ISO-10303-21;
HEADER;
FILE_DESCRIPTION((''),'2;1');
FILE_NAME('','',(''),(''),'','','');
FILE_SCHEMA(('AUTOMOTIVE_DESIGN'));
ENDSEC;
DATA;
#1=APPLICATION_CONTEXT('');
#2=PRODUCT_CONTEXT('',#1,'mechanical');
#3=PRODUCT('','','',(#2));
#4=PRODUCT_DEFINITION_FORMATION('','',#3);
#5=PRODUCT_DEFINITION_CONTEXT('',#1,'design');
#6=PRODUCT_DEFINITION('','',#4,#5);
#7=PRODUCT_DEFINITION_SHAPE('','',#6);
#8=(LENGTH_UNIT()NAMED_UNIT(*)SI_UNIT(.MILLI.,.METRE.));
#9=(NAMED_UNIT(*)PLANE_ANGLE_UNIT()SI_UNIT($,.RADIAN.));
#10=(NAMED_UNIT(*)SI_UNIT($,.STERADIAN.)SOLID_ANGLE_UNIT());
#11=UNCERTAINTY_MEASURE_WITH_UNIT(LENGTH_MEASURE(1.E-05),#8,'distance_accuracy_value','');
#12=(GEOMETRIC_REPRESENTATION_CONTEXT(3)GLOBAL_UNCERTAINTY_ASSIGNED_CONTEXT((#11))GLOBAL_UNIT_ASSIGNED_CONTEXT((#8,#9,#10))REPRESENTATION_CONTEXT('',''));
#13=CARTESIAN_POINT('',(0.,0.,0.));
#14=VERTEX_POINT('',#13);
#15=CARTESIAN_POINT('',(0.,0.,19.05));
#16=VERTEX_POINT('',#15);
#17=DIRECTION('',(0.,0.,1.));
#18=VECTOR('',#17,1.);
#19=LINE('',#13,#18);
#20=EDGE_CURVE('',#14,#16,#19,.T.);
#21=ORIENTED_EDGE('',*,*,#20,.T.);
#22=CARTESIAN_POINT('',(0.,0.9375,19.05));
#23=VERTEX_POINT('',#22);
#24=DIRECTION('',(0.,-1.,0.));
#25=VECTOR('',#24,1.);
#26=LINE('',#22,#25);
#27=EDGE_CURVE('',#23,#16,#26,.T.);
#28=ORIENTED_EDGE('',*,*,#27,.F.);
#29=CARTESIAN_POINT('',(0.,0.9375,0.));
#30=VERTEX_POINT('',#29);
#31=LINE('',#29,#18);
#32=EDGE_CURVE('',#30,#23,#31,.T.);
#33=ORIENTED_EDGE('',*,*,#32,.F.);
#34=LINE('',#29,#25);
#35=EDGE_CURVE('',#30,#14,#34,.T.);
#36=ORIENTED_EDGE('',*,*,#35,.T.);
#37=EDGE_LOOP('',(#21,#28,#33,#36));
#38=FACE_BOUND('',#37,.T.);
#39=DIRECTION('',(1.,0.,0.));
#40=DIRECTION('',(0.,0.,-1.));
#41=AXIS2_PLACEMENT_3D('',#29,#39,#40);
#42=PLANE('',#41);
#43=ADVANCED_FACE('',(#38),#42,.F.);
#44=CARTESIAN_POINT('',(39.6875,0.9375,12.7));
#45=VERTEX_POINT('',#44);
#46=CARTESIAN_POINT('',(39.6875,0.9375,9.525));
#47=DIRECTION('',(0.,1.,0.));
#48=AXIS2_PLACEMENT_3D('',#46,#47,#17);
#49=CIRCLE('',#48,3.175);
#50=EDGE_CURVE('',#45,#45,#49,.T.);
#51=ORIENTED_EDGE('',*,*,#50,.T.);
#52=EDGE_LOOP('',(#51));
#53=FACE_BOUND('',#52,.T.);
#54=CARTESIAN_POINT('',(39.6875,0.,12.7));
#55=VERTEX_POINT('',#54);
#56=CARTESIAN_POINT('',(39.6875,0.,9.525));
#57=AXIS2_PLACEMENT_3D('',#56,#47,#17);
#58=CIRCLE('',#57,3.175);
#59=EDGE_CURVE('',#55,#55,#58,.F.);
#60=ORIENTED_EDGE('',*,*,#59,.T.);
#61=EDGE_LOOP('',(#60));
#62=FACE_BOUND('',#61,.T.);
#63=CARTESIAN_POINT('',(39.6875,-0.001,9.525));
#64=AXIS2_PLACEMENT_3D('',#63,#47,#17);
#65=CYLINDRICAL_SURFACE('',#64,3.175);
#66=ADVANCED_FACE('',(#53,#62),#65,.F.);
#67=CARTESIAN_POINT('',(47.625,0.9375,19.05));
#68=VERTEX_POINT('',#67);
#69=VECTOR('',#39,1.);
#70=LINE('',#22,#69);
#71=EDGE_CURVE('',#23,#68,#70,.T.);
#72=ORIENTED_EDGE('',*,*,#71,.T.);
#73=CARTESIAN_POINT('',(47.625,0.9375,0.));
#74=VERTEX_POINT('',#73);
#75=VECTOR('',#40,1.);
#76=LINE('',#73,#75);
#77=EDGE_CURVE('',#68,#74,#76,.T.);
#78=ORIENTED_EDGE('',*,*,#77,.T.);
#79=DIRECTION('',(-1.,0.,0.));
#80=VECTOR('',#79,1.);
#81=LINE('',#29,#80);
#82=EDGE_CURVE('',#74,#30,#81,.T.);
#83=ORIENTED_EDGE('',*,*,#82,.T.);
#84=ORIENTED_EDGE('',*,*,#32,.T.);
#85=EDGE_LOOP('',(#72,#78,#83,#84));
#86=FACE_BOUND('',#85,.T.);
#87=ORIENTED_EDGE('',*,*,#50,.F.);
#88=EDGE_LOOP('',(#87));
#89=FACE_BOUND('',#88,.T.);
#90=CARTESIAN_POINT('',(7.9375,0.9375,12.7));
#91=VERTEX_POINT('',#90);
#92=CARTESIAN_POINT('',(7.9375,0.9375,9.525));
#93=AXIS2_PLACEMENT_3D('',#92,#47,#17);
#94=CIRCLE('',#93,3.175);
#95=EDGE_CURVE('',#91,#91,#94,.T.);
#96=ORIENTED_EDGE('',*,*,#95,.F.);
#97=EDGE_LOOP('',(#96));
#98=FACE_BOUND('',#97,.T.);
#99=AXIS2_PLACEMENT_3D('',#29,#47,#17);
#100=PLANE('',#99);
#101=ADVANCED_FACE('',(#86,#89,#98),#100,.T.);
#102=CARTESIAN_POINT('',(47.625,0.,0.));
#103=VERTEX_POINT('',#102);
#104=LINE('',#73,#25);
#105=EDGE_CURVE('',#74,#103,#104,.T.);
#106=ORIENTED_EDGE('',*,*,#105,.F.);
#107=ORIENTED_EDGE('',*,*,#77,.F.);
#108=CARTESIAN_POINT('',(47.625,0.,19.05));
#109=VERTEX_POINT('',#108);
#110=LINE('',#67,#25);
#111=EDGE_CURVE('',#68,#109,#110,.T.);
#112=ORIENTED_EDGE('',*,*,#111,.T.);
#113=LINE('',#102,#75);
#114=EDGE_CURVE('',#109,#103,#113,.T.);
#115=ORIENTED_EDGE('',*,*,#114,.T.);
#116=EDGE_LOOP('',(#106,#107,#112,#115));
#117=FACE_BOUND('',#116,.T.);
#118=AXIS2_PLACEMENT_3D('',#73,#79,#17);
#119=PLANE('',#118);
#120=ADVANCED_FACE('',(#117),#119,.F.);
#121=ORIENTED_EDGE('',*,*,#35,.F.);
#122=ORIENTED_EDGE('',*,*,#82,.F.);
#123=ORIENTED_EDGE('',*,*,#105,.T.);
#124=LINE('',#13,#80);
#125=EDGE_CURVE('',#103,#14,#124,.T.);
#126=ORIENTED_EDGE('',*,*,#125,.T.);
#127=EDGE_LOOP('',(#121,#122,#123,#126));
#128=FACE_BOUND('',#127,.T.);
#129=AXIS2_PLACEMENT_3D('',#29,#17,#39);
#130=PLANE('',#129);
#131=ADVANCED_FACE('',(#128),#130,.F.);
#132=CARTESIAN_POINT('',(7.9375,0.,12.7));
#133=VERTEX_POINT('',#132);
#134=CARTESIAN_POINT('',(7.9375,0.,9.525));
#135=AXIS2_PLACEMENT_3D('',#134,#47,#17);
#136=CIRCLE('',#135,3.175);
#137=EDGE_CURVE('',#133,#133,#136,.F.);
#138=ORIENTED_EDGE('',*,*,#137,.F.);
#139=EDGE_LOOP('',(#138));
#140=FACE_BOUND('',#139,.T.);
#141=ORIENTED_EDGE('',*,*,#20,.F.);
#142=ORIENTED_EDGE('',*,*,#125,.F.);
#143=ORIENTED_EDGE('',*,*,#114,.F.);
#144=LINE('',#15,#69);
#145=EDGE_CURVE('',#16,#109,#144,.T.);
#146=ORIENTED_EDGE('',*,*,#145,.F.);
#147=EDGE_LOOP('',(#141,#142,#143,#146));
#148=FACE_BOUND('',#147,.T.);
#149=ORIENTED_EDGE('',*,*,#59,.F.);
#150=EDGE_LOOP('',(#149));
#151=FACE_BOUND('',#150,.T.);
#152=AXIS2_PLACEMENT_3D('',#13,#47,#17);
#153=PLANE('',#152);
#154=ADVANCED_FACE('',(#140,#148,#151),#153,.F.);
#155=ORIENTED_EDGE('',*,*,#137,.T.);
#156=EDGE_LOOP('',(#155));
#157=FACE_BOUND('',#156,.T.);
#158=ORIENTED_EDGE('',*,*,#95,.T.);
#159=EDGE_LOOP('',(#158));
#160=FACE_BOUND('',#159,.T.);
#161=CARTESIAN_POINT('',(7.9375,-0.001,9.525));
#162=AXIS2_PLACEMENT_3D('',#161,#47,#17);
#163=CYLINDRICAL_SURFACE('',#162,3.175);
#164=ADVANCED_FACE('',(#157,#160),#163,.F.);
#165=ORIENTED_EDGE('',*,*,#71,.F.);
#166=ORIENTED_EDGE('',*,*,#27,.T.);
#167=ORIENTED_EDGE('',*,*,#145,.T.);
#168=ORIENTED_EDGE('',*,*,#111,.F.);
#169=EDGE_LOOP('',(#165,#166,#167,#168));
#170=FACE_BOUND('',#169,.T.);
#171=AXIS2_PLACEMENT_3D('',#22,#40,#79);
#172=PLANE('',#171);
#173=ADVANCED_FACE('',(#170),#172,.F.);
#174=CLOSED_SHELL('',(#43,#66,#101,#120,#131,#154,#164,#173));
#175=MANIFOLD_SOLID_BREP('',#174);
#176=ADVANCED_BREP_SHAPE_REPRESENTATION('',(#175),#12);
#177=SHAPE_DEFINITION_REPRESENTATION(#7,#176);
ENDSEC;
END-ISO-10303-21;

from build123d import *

# Parameters (mm, degrees)
SKETCH1_W           = 47.625
SKETCH1_H           = 19.05
BOSS_EXTRUDE1_DEPTH = 0.9375
CUT_EXTRUDE1_REACH  = 2.938
SKETCH2_R           = 3.175


with BuildPart() as part:
    # Sketch1 → Boss-Extrude1 (new body)
    with BuildSketch(Plane(origin=(0, 0, 0), x_dir=(1, 0, 0), z_dir=(0, 1, 0))):
        with Locations((23.8125, -9.525)):
            Rectangle(SKETCH1_W, SKETCH1_H)
    extrude(amount=BOSS_EXTRUDE1_DEPTH)

    # Sketch2 → Cut-Extrude1 (cut, up to next)
    with BuildSketch(Plane(origin=(0, 0.9375, 0), x_dir=(1, 0, 0), z_dir=(0, 1, 0)), mode=Mode.PRIVATE) as cut_extrude1_sk1:
        with Locations((7.9375, -9.525)):
            Circle(SKETCH2_R)
    cut_extrude1_tool1 = extrude(cut_extrude1_sk1.sketch, amount=-CUT_EXTRUDE1_REACH, mode=Mode.PRIVATE) & part.part
    add(cut_extrude1_tool1.solids().sort_by_distance((7.9375, 0.9375, 9.525))[0], mode=Mode.SUBTRACT)
    # Sketch2 → Cut-Extrude1 (cut, up to next)
    with BuildSketch(Plane(origin=(0, 0.9375, 0), x_dir=(1, 0, 0), z_dir=(0, 1, 0)), mode=Mode.PRIVATE) as cut_extrude1_sk2:
        with Locations((39.6875, -9.525)):
            Circle(SKETCH2_R)
    cut_extrude1_tool2 = extrude(cut_extrude1_sk2.sketch, amount=-CUT_EXTRUDE1_REACH, mode=Mode.PRIVATE) & part.part
    add(cut_extrude1_tool2.solids().sort_by_distance((39.6875, 0.9375, 9.525))[0], mode=Mode.SUBTRACT)


solid = part.part
